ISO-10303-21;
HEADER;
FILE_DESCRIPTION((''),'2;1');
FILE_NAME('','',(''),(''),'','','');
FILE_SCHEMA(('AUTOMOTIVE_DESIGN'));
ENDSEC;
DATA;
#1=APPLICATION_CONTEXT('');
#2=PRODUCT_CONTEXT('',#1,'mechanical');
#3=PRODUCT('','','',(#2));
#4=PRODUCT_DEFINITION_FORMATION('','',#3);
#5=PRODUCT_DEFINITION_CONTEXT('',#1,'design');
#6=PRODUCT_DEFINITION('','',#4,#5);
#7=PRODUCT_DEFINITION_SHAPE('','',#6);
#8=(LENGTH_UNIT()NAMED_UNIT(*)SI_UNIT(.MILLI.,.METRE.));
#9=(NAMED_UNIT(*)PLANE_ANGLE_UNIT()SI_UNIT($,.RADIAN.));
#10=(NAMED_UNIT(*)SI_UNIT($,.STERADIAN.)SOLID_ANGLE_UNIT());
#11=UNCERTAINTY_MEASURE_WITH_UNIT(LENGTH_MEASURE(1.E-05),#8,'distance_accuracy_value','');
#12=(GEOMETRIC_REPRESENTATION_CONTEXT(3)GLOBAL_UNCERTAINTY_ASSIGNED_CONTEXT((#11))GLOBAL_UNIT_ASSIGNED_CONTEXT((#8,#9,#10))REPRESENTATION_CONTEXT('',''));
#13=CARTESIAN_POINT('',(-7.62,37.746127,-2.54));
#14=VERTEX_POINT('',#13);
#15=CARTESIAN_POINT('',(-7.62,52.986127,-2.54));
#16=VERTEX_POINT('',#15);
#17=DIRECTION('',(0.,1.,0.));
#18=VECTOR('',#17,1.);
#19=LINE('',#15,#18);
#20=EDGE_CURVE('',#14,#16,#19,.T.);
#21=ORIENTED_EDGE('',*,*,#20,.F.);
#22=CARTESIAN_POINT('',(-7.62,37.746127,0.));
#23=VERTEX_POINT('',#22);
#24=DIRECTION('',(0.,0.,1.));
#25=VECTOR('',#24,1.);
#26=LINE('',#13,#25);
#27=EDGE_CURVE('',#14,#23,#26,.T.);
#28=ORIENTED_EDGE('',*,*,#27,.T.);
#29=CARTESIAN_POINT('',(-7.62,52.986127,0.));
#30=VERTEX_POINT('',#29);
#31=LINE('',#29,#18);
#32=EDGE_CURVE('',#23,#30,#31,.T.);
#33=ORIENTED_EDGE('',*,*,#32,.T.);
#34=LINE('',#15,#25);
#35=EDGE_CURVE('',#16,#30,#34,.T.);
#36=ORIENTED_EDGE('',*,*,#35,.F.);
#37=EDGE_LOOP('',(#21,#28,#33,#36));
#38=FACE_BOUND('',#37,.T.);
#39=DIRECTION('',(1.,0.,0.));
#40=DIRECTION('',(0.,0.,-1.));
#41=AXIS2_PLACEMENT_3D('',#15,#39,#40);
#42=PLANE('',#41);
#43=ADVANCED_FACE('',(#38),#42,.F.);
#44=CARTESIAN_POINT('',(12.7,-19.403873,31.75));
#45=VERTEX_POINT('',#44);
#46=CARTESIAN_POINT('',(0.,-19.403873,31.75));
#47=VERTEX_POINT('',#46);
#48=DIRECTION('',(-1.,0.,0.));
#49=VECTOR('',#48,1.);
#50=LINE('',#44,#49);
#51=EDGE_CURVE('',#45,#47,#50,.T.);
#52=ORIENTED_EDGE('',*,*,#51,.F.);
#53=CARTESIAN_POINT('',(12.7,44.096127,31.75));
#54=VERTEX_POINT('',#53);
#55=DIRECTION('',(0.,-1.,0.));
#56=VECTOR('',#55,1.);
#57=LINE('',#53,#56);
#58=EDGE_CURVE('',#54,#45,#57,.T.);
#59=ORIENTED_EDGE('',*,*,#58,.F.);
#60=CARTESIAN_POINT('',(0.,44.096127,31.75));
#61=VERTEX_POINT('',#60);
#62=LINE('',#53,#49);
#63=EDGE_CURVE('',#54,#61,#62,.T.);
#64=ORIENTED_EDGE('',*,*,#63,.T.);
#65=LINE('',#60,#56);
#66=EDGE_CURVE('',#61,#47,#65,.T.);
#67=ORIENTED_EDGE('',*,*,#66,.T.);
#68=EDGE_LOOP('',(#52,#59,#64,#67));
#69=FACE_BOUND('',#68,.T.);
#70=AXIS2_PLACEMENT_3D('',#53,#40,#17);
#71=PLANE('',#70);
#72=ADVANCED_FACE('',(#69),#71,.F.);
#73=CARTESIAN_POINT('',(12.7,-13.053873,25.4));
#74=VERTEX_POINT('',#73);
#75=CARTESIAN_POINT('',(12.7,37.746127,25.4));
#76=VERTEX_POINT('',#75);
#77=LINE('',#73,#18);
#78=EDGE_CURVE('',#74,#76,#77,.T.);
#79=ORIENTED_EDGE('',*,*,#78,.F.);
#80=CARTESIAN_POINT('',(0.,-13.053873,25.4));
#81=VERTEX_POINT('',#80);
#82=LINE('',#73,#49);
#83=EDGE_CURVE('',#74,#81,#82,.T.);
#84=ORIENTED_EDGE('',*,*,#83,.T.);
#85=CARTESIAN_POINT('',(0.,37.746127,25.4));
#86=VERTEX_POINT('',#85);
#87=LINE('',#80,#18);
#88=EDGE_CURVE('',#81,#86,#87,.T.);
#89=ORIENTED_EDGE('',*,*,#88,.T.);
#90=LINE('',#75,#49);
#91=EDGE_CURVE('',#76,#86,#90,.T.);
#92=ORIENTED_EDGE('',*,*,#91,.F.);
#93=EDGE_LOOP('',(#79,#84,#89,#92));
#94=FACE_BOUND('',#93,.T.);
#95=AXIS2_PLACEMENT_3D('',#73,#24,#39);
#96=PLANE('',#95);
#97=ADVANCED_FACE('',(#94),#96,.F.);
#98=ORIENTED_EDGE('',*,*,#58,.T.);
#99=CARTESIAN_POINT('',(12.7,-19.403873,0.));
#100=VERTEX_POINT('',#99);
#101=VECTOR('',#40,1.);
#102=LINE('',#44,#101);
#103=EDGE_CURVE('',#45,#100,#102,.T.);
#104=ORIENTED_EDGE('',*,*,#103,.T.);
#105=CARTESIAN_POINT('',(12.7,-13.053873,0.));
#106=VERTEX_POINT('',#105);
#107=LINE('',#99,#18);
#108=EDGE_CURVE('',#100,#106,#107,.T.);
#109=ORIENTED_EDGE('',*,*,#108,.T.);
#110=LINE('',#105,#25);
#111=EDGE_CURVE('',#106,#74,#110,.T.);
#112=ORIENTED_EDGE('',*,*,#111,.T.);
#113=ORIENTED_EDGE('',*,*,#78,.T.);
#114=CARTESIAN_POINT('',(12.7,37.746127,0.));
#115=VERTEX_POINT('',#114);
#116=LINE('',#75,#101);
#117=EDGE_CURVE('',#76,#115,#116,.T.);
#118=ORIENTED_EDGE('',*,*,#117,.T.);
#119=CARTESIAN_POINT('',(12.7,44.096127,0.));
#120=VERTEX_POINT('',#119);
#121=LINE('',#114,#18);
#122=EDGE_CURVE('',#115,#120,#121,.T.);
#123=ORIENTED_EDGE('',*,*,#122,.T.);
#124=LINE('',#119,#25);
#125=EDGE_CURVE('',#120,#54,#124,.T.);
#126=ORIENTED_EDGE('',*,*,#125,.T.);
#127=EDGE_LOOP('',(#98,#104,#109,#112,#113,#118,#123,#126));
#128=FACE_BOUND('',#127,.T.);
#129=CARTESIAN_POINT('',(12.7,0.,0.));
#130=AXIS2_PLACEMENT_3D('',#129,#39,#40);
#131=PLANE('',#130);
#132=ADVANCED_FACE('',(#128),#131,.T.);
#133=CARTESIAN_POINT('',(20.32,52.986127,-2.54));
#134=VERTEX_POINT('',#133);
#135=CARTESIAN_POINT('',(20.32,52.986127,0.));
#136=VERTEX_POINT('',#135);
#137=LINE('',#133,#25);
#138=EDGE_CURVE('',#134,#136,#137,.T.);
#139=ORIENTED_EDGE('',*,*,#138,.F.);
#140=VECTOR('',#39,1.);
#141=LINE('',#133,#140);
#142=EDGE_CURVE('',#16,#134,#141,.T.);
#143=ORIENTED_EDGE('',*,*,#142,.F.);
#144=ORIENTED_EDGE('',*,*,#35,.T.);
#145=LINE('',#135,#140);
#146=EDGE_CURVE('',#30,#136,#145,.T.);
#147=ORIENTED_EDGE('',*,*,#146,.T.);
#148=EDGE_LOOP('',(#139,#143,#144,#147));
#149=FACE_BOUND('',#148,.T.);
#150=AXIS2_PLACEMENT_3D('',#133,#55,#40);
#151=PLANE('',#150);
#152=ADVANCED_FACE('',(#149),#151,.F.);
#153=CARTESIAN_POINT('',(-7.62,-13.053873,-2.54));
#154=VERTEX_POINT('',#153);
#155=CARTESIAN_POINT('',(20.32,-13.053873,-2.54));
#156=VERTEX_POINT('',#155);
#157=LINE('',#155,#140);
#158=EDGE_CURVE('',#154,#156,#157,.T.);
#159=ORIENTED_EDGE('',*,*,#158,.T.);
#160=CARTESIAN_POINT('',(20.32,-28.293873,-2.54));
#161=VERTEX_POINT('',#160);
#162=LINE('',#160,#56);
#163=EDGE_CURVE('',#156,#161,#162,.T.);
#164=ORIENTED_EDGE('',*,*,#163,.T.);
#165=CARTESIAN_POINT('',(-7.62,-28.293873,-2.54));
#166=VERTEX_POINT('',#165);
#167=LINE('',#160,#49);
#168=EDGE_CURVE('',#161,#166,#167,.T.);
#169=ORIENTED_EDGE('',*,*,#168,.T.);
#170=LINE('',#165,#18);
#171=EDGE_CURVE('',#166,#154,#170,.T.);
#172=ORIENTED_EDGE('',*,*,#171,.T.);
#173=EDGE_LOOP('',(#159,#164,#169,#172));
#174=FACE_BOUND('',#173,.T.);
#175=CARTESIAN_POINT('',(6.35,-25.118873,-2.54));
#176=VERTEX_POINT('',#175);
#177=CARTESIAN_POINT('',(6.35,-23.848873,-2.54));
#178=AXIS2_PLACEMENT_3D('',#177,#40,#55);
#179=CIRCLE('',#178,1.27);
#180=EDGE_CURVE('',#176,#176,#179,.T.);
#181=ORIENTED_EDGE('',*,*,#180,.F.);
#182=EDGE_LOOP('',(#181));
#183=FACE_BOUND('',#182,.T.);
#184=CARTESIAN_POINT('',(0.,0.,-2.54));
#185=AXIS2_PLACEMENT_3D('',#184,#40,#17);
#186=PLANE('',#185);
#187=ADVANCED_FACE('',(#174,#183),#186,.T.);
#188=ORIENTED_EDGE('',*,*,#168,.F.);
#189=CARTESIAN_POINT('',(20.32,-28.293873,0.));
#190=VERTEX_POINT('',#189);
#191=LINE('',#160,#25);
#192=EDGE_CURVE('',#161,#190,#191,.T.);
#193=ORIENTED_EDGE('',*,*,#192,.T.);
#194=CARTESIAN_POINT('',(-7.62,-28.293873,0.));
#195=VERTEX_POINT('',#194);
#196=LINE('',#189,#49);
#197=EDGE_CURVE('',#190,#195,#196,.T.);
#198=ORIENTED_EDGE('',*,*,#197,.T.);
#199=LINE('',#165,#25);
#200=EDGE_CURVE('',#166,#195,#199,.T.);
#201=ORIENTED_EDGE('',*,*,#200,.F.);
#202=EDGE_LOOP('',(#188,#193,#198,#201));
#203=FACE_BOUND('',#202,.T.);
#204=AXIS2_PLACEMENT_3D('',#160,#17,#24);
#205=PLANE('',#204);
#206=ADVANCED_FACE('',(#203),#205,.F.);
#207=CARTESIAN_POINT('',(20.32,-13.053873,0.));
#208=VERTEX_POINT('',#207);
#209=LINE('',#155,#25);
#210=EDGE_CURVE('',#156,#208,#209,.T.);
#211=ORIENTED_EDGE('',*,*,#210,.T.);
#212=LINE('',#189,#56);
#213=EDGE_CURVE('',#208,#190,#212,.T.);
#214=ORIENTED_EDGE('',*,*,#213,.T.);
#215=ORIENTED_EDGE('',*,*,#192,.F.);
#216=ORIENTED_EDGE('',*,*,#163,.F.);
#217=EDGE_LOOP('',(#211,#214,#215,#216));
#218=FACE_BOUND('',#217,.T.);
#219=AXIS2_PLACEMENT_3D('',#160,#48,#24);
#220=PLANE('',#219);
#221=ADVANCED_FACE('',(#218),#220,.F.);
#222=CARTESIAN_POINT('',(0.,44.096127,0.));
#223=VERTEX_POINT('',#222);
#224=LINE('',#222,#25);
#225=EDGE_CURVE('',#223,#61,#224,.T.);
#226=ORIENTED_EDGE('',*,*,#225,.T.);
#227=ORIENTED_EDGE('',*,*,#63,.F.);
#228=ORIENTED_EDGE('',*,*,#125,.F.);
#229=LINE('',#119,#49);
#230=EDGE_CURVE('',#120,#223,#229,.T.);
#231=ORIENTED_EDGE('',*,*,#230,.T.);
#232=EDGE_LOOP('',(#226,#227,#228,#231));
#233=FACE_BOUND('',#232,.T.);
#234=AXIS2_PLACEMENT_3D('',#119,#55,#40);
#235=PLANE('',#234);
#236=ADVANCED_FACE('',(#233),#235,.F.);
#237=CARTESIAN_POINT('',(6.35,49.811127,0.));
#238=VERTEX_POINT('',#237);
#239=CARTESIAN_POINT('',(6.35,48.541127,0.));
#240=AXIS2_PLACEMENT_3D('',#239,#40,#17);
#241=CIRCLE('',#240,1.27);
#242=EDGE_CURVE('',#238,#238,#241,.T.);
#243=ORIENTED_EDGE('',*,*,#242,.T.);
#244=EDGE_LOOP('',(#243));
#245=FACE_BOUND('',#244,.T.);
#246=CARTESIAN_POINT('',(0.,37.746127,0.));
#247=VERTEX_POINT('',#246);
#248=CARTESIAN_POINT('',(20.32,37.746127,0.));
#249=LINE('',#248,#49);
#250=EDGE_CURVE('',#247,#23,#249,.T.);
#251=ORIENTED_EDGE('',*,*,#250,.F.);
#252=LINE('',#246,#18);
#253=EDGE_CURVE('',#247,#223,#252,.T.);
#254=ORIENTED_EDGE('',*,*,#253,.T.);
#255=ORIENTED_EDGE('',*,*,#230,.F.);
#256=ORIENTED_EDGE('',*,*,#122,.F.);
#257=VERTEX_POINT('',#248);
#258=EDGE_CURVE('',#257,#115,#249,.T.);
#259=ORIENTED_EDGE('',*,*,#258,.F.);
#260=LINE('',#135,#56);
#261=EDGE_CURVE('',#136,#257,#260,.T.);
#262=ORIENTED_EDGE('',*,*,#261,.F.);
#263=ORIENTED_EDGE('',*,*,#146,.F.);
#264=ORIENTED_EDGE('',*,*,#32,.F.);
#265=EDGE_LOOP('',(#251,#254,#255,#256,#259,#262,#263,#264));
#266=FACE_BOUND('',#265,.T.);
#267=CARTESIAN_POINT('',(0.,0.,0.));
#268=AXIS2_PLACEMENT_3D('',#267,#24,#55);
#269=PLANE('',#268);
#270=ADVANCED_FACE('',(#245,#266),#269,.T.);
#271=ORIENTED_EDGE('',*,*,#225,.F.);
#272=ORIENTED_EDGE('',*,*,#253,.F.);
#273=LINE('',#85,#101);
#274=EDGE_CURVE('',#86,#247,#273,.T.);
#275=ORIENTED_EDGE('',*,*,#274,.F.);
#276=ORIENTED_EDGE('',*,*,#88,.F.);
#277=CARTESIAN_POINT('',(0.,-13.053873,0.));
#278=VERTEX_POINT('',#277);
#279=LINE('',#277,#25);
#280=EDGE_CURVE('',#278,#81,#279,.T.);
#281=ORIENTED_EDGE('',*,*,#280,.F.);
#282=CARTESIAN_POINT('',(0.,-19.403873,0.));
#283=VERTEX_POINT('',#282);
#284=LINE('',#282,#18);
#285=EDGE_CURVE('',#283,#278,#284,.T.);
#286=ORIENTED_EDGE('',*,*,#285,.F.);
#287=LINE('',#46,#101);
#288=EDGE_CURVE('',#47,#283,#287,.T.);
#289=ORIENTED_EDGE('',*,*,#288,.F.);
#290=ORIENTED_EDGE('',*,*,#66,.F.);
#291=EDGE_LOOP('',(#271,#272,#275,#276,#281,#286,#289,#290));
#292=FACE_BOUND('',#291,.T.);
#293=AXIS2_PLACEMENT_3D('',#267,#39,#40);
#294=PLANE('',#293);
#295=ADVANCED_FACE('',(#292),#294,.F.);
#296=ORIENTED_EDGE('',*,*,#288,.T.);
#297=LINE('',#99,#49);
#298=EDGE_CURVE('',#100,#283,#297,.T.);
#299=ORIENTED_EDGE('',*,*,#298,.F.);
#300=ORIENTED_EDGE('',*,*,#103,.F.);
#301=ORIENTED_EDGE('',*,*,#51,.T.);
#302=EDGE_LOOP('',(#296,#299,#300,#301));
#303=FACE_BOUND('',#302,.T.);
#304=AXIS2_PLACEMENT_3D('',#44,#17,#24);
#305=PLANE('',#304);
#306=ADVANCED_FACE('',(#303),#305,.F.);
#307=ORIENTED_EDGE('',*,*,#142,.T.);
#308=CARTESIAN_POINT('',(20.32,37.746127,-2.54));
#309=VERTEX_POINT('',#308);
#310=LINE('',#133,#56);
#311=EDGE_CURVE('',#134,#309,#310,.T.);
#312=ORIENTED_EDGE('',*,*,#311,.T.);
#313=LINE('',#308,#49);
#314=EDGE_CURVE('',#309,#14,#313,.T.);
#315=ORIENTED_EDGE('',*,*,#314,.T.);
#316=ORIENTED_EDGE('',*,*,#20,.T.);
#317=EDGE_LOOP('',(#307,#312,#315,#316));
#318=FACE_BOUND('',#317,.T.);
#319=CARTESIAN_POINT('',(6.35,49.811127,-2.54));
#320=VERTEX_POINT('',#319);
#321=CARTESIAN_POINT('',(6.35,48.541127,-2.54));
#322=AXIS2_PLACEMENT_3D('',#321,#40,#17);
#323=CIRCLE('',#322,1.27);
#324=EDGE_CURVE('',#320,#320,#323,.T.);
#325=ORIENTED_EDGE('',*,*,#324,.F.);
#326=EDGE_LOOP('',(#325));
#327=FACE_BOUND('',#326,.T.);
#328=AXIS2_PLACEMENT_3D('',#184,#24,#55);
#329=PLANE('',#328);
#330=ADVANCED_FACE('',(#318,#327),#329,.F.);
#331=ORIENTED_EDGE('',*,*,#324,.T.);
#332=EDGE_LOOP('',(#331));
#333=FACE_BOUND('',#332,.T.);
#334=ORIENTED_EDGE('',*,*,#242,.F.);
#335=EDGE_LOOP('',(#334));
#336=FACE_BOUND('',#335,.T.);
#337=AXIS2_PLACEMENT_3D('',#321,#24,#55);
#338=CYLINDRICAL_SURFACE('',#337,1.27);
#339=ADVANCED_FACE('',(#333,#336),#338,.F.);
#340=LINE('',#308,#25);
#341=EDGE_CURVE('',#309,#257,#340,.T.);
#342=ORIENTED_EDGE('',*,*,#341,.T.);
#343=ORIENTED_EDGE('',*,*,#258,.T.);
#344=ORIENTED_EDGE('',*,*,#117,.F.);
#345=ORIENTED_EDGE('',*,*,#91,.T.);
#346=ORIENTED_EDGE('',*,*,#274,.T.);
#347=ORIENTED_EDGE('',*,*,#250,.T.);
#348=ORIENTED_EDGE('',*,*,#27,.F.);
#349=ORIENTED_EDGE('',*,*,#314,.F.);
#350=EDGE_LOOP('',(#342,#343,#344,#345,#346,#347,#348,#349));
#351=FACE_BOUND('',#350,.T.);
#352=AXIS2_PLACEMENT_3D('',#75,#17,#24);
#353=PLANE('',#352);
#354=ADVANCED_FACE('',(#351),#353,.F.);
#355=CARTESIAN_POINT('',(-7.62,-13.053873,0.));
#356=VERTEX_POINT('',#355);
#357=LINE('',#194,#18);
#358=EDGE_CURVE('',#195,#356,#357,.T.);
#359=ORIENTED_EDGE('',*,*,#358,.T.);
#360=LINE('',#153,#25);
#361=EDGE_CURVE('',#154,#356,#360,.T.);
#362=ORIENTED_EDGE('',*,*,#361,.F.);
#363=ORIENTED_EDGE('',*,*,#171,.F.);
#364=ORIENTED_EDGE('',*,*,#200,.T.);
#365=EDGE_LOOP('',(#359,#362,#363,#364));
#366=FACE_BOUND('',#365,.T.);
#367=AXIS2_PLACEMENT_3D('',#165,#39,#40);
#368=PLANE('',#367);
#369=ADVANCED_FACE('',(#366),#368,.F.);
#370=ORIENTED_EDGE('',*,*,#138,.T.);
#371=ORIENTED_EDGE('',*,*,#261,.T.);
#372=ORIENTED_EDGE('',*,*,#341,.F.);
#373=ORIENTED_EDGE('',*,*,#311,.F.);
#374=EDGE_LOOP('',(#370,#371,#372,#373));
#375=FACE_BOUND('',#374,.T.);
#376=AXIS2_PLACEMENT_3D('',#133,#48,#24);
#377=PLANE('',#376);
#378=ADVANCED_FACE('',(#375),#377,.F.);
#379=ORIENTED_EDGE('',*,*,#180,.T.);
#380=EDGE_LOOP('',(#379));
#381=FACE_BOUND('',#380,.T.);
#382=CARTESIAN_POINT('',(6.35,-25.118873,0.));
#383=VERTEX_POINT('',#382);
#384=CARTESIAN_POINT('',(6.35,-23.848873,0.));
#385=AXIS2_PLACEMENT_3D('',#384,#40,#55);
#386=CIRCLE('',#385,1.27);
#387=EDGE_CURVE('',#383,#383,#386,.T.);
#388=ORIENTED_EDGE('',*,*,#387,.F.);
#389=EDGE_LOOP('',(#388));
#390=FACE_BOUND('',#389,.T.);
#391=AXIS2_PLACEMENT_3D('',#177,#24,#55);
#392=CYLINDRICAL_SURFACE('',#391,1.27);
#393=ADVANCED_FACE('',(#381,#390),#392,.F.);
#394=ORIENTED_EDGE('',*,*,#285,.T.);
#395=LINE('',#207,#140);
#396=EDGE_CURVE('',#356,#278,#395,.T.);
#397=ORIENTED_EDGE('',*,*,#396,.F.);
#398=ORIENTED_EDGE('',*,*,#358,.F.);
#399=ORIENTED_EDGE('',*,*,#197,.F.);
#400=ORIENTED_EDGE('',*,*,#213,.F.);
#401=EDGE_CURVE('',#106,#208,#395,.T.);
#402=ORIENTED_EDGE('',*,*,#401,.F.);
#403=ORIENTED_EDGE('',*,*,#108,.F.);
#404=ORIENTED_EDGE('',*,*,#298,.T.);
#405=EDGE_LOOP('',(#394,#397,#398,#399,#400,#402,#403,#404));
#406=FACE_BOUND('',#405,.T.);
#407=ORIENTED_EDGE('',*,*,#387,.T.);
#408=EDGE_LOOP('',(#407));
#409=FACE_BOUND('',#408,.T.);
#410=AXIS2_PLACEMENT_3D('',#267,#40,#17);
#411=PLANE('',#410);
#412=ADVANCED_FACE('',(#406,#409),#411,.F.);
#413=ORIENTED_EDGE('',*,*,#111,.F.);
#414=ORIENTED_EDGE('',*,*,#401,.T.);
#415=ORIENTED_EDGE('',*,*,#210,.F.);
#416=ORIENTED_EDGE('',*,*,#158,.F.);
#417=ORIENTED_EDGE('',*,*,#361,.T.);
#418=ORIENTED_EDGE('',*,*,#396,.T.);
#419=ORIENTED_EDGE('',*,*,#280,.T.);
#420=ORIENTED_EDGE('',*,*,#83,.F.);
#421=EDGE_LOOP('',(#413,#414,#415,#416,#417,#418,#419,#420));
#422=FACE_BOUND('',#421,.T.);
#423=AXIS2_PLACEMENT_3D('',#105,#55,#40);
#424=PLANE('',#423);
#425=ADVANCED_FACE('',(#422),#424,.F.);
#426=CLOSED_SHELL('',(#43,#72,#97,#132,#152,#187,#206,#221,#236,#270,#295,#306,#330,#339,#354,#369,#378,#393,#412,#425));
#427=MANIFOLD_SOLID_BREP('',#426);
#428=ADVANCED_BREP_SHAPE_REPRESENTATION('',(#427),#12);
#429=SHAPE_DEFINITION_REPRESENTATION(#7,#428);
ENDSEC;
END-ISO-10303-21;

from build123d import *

# Parameters (mm, degrees)
BOSS_EXTRUDE1_DEPTH = 12.7
SKETCH3_W           = 27.94
SKETCH3_H           = 15.24
SKETCH3_R           = 1.27
BOSS_EXTRUDE2_DEPTH = 2.54


with BuildPart() as part:
    # Sketch2 → Boss-Extrude1 (new body)
    with BuildSketch(Plane(origin=(0, 0, 0), x_dir=(0, 0, -1), z_dir=(1, 0, 0))):
        Polygon((0, 44.0961272), (-31.75, 44.0961272), (-31.75, -19.4038728), (0, -19.4038728), (0, -13.0538728), (-25.4, -13.0538728), (-25.4, 37.7461272), (0, 37.7461272), align=None)
    extrude(amount=BOSS_EXTRUDE1_DEPTH)

    # Sketch3 → Boss-Extrude2 (add)
    with BuildSketch(Plane(origin=(0, 0, 0), x_dir=(-1, 0, 0), z_dir=(0, 0, -1))):
        with Locations((-6.35, 45.3661272)):
            Rectangle(SKETCH3_W, SKETCH3_H)
        with Locations((-6.35, 48.5411272)):
            Circle(SKETCH3_R, mode=Mode.SUBTRACT)
        with Locations((-6.35, -20.6738728)):
            Rectangle(SKETCH3_W, SKETCH3_H)
        with Locations((-6.35, -23.8488728)):
            Circle(SKETCH3_R, mode=Mode.SUBTRACT)
    extrude(amount=BOSS_EXTRUDE2_DEPTH)


solid = part.part
